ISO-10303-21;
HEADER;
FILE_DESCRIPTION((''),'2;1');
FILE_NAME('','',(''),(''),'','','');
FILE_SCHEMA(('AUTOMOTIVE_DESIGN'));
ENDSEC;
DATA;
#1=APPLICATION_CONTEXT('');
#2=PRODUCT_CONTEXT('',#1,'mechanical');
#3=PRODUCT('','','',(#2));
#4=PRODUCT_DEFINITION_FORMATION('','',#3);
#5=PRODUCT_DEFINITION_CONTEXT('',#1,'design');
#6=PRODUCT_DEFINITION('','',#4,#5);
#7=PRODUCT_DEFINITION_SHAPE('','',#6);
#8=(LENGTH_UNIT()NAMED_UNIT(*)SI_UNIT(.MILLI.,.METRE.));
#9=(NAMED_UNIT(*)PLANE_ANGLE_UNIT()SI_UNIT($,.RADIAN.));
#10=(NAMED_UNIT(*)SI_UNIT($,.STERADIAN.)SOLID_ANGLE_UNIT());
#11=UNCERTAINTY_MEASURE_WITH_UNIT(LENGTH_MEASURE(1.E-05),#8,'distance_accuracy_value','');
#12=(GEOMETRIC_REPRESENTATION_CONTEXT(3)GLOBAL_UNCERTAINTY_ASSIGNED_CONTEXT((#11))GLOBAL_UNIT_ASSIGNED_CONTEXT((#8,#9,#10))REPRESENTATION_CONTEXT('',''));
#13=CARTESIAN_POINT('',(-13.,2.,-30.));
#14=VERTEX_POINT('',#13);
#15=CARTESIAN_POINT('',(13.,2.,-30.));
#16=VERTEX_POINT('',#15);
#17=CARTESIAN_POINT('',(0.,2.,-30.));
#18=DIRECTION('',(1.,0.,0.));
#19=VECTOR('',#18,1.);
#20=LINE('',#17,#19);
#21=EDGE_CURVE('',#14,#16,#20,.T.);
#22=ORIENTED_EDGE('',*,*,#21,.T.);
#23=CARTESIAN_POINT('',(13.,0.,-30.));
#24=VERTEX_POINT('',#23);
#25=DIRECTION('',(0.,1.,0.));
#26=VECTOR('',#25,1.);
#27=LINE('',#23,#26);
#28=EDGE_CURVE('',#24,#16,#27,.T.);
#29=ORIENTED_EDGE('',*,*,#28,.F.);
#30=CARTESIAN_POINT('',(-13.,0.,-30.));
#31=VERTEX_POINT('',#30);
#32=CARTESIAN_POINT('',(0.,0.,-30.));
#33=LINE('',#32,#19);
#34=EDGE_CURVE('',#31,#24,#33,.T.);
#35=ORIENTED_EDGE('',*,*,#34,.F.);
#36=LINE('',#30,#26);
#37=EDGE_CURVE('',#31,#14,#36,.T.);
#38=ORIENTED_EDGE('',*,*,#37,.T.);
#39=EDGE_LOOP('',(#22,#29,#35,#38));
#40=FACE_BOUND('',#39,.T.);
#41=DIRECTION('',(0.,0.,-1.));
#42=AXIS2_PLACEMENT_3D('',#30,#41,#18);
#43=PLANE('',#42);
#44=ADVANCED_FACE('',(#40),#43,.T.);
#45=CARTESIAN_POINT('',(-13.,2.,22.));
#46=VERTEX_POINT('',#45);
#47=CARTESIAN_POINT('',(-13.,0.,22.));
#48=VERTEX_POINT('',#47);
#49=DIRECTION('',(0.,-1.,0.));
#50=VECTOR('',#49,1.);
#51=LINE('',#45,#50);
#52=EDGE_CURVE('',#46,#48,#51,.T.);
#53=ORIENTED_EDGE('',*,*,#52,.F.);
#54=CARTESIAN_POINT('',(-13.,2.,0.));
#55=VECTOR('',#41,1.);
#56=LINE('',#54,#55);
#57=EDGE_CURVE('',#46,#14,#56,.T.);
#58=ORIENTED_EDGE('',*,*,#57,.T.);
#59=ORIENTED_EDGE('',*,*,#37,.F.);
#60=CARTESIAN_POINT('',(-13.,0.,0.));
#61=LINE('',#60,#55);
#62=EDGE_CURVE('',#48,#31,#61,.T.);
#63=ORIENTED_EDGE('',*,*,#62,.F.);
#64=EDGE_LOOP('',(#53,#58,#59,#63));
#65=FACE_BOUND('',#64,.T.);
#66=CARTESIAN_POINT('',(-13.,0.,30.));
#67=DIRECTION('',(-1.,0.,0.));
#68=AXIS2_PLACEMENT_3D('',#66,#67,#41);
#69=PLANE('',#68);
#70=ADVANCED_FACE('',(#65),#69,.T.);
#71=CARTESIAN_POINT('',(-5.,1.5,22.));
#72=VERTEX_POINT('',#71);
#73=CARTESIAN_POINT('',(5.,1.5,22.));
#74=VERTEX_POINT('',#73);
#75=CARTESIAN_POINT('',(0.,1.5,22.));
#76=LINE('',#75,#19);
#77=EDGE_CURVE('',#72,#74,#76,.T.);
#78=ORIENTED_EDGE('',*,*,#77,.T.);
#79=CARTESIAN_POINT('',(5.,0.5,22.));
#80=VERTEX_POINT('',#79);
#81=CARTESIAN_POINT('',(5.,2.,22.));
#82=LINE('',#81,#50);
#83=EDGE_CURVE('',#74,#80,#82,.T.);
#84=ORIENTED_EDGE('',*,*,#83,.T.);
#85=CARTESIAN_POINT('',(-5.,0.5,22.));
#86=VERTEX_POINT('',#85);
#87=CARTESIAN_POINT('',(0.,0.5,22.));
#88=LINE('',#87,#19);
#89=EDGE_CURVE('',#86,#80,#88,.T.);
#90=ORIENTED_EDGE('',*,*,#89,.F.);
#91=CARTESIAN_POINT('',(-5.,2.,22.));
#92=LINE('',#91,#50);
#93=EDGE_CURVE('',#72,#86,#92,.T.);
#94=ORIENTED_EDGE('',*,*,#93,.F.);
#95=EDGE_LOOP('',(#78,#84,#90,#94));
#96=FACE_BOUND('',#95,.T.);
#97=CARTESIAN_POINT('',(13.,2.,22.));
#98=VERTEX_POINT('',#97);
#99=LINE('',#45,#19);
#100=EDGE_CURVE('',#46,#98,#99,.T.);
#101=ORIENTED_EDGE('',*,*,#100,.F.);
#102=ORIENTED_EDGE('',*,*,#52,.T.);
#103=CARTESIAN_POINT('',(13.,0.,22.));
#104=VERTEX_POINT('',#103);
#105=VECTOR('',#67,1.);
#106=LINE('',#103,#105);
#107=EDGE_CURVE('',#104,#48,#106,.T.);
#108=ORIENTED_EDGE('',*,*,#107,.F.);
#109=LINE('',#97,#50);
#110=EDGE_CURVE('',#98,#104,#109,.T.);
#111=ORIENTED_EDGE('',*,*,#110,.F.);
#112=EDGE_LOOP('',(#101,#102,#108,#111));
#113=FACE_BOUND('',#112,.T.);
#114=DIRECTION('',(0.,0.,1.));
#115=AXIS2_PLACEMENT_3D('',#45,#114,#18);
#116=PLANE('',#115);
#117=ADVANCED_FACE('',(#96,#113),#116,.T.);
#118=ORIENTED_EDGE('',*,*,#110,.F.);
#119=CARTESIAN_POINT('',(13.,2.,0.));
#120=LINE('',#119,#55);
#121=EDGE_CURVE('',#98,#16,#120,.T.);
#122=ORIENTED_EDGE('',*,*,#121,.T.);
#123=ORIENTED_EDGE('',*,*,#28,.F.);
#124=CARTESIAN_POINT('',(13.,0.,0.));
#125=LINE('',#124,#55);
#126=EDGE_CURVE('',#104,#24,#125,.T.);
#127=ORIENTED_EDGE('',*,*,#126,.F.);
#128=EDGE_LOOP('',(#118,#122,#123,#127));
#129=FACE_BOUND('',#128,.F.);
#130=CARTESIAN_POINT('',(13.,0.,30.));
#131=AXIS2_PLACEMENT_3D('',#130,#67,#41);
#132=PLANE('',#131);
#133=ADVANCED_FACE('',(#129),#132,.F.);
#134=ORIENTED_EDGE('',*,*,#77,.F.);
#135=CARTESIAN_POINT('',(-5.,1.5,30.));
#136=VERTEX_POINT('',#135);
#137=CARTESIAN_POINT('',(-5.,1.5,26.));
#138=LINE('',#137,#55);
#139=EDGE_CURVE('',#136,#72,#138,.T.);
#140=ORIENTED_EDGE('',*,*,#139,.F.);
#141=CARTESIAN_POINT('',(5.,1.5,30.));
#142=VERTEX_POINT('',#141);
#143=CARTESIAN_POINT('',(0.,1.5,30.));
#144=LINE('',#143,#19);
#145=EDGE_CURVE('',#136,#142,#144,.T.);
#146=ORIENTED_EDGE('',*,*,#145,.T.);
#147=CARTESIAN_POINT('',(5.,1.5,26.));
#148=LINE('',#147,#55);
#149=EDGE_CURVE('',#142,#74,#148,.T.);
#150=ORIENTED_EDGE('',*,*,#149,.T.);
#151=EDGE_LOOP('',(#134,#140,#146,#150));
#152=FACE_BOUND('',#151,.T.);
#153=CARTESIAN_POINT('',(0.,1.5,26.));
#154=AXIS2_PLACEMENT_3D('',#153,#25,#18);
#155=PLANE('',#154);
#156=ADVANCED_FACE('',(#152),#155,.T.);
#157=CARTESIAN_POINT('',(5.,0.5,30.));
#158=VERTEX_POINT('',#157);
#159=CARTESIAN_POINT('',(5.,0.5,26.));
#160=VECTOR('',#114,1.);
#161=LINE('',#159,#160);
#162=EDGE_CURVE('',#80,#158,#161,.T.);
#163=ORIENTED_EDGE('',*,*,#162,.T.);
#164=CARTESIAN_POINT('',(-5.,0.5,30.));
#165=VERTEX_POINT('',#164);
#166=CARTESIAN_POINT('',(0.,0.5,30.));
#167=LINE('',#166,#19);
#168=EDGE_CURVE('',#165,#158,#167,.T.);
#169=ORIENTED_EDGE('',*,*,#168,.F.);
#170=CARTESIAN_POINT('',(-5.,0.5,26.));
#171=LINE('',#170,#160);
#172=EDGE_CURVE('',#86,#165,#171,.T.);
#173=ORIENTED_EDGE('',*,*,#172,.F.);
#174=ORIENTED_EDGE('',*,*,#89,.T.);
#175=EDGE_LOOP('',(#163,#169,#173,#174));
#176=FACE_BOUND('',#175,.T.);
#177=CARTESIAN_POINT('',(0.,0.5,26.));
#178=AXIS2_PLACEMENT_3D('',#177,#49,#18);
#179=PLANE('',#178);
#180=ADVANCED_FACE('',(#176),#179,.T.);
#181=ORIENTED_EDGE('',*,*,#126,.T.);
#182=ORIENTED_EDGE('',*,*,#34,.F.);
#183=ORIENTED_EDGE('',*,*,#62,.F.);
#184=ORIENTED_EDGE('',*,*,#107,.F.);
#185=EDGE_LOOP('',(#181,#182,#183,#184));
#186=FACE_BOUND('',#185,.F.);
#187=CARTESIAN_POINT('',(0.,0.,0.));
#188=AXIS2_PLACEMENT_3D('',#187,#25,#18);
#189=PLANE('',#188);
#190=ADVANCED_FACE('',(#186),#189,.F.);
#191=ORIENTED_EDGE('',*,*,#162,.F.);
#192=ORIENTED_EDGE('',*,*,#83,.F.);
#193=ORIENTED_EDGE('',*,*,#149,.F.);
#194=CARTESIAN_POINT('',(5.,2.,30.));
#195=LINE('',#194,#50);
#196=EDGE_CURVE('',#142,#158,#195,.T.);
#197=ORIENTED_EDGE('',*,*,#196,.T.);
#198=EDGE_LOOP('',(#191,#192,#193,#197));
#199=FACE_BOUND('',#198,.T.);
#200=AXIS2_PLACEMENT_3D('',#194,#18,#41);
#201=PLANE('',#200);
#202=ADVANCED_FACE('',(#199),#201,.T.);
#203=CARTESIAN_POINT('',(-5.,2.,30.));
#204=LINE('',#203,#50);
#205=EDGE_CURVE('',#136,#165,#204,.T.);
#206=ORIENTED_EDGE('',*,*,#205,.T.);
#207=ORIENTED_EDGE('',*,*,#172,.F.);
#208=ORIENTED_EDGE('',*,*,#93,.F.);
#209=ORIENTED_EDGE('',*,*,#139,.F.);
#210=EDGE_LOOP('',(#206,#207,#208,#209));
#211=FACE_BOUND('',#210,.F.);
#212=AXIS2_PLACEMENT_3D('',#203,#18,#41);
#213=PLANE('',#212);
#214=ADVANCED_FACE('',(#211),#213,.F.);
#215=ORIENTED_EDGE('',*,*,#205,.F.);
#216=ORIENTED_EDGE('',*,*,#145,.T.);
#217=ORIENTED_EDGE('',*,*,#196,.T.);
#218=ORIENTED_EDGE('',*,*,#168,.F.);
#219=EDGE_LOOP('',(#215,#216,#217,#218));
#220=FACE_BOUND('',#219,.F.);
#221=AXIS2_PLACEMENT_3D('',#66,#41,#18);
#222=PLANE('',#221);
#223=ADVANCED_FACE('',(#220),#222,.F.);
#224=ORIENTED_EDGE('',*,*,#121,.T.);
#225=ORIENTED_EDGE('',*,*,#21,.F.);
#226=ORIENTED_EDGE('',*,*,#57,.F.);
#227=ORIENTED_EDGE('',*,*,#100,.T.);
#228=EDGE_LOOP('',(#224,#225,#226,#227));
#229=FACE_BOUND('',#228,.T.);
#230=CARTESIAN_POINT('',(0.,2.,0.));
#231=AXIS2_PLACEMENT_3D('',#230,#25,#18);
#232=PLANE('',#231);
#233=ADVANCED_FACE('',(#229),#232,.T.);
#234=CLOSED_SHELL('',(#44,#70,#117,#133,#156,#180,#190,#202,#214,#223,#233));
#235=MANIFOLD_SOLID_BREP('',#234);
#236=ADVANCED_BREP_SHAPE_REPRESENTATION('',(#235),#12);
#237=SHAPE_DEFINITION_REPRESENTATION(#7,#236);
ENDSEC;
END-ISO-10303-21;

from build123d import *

# Parameters (mm, degrees)
SKETCH1_W           = 26
SKETCH1_H           = 60
BOSS_EXTRUDE1_DEPTH = 2
SKETCH9_W           = 8
SKETCH9_H           = 8
CUT_EXTRUDE1_DEPTH  = 2
SKETCH10_W          = 10
SKETCH10_H          = 8
CUT_EXTRUDE2_DEPTH  = 0.5
SKETCH11_W          = 10
SKETCH11_H          = 8
CUT_EXTRUDE3_DEPTH  = 0.5


with BuildPart() as part:
    # Sketch1 → Boss-Extrude1 (new body)
    with BuildSketch(Plane(origin=(0, 0, 0), x_dir=(1, 0, 0), z_dir=(0, 1, 0))):
        Rectangle(SKETCH1_W, SKETCH1_H)
    extrude(amount=BOSS_EXTRUDE1_DEPTH)

    # Sketch9 → Cut-Extrude1 (cut)
    with BuildSketch(Plane(origin=(0, 2, 0), x_dir=(1, 0, 0), z_dir=(0, 1, 0))):
        with Locations((-9, -26)):
            Rectangle(SKETCH9_W, SKETCH9_H)
        with Locations((9, -26)):
            Rectangle(SKETCH9_W, SKETCH9_H)
    extrude(amount=-CUT_EXTRUDE1_DEPTH, mode=Mode.SUBTRACT)

    # Sketch10 → Cut-Extrude2 (cut)
    with BuildSketch(Plane(origin=(0, 2, 0), x_dir=(1, 0, 0), z_dir=(0, 1, 0))):
        with Locations((0, -26)):
            Rectangle(SKETCH10_W, SKETCH10_H)
    extrude(amount=-CUT_EXTRUDE2_DEPTH, mode=Mode.SUBTRACT)

    # Sketch11 → Cut-Extrude3 (cut)
    with BuildSketch(Plane.XZ):
        with Locations((0, 26)):
            Rectangle(SKETCH11_W, SKETCH11_H)
    extrude(amount=-CUT_EXTRUDE3_DEPTH, mode=Mode.SUBTRACT)


solid = part.part
